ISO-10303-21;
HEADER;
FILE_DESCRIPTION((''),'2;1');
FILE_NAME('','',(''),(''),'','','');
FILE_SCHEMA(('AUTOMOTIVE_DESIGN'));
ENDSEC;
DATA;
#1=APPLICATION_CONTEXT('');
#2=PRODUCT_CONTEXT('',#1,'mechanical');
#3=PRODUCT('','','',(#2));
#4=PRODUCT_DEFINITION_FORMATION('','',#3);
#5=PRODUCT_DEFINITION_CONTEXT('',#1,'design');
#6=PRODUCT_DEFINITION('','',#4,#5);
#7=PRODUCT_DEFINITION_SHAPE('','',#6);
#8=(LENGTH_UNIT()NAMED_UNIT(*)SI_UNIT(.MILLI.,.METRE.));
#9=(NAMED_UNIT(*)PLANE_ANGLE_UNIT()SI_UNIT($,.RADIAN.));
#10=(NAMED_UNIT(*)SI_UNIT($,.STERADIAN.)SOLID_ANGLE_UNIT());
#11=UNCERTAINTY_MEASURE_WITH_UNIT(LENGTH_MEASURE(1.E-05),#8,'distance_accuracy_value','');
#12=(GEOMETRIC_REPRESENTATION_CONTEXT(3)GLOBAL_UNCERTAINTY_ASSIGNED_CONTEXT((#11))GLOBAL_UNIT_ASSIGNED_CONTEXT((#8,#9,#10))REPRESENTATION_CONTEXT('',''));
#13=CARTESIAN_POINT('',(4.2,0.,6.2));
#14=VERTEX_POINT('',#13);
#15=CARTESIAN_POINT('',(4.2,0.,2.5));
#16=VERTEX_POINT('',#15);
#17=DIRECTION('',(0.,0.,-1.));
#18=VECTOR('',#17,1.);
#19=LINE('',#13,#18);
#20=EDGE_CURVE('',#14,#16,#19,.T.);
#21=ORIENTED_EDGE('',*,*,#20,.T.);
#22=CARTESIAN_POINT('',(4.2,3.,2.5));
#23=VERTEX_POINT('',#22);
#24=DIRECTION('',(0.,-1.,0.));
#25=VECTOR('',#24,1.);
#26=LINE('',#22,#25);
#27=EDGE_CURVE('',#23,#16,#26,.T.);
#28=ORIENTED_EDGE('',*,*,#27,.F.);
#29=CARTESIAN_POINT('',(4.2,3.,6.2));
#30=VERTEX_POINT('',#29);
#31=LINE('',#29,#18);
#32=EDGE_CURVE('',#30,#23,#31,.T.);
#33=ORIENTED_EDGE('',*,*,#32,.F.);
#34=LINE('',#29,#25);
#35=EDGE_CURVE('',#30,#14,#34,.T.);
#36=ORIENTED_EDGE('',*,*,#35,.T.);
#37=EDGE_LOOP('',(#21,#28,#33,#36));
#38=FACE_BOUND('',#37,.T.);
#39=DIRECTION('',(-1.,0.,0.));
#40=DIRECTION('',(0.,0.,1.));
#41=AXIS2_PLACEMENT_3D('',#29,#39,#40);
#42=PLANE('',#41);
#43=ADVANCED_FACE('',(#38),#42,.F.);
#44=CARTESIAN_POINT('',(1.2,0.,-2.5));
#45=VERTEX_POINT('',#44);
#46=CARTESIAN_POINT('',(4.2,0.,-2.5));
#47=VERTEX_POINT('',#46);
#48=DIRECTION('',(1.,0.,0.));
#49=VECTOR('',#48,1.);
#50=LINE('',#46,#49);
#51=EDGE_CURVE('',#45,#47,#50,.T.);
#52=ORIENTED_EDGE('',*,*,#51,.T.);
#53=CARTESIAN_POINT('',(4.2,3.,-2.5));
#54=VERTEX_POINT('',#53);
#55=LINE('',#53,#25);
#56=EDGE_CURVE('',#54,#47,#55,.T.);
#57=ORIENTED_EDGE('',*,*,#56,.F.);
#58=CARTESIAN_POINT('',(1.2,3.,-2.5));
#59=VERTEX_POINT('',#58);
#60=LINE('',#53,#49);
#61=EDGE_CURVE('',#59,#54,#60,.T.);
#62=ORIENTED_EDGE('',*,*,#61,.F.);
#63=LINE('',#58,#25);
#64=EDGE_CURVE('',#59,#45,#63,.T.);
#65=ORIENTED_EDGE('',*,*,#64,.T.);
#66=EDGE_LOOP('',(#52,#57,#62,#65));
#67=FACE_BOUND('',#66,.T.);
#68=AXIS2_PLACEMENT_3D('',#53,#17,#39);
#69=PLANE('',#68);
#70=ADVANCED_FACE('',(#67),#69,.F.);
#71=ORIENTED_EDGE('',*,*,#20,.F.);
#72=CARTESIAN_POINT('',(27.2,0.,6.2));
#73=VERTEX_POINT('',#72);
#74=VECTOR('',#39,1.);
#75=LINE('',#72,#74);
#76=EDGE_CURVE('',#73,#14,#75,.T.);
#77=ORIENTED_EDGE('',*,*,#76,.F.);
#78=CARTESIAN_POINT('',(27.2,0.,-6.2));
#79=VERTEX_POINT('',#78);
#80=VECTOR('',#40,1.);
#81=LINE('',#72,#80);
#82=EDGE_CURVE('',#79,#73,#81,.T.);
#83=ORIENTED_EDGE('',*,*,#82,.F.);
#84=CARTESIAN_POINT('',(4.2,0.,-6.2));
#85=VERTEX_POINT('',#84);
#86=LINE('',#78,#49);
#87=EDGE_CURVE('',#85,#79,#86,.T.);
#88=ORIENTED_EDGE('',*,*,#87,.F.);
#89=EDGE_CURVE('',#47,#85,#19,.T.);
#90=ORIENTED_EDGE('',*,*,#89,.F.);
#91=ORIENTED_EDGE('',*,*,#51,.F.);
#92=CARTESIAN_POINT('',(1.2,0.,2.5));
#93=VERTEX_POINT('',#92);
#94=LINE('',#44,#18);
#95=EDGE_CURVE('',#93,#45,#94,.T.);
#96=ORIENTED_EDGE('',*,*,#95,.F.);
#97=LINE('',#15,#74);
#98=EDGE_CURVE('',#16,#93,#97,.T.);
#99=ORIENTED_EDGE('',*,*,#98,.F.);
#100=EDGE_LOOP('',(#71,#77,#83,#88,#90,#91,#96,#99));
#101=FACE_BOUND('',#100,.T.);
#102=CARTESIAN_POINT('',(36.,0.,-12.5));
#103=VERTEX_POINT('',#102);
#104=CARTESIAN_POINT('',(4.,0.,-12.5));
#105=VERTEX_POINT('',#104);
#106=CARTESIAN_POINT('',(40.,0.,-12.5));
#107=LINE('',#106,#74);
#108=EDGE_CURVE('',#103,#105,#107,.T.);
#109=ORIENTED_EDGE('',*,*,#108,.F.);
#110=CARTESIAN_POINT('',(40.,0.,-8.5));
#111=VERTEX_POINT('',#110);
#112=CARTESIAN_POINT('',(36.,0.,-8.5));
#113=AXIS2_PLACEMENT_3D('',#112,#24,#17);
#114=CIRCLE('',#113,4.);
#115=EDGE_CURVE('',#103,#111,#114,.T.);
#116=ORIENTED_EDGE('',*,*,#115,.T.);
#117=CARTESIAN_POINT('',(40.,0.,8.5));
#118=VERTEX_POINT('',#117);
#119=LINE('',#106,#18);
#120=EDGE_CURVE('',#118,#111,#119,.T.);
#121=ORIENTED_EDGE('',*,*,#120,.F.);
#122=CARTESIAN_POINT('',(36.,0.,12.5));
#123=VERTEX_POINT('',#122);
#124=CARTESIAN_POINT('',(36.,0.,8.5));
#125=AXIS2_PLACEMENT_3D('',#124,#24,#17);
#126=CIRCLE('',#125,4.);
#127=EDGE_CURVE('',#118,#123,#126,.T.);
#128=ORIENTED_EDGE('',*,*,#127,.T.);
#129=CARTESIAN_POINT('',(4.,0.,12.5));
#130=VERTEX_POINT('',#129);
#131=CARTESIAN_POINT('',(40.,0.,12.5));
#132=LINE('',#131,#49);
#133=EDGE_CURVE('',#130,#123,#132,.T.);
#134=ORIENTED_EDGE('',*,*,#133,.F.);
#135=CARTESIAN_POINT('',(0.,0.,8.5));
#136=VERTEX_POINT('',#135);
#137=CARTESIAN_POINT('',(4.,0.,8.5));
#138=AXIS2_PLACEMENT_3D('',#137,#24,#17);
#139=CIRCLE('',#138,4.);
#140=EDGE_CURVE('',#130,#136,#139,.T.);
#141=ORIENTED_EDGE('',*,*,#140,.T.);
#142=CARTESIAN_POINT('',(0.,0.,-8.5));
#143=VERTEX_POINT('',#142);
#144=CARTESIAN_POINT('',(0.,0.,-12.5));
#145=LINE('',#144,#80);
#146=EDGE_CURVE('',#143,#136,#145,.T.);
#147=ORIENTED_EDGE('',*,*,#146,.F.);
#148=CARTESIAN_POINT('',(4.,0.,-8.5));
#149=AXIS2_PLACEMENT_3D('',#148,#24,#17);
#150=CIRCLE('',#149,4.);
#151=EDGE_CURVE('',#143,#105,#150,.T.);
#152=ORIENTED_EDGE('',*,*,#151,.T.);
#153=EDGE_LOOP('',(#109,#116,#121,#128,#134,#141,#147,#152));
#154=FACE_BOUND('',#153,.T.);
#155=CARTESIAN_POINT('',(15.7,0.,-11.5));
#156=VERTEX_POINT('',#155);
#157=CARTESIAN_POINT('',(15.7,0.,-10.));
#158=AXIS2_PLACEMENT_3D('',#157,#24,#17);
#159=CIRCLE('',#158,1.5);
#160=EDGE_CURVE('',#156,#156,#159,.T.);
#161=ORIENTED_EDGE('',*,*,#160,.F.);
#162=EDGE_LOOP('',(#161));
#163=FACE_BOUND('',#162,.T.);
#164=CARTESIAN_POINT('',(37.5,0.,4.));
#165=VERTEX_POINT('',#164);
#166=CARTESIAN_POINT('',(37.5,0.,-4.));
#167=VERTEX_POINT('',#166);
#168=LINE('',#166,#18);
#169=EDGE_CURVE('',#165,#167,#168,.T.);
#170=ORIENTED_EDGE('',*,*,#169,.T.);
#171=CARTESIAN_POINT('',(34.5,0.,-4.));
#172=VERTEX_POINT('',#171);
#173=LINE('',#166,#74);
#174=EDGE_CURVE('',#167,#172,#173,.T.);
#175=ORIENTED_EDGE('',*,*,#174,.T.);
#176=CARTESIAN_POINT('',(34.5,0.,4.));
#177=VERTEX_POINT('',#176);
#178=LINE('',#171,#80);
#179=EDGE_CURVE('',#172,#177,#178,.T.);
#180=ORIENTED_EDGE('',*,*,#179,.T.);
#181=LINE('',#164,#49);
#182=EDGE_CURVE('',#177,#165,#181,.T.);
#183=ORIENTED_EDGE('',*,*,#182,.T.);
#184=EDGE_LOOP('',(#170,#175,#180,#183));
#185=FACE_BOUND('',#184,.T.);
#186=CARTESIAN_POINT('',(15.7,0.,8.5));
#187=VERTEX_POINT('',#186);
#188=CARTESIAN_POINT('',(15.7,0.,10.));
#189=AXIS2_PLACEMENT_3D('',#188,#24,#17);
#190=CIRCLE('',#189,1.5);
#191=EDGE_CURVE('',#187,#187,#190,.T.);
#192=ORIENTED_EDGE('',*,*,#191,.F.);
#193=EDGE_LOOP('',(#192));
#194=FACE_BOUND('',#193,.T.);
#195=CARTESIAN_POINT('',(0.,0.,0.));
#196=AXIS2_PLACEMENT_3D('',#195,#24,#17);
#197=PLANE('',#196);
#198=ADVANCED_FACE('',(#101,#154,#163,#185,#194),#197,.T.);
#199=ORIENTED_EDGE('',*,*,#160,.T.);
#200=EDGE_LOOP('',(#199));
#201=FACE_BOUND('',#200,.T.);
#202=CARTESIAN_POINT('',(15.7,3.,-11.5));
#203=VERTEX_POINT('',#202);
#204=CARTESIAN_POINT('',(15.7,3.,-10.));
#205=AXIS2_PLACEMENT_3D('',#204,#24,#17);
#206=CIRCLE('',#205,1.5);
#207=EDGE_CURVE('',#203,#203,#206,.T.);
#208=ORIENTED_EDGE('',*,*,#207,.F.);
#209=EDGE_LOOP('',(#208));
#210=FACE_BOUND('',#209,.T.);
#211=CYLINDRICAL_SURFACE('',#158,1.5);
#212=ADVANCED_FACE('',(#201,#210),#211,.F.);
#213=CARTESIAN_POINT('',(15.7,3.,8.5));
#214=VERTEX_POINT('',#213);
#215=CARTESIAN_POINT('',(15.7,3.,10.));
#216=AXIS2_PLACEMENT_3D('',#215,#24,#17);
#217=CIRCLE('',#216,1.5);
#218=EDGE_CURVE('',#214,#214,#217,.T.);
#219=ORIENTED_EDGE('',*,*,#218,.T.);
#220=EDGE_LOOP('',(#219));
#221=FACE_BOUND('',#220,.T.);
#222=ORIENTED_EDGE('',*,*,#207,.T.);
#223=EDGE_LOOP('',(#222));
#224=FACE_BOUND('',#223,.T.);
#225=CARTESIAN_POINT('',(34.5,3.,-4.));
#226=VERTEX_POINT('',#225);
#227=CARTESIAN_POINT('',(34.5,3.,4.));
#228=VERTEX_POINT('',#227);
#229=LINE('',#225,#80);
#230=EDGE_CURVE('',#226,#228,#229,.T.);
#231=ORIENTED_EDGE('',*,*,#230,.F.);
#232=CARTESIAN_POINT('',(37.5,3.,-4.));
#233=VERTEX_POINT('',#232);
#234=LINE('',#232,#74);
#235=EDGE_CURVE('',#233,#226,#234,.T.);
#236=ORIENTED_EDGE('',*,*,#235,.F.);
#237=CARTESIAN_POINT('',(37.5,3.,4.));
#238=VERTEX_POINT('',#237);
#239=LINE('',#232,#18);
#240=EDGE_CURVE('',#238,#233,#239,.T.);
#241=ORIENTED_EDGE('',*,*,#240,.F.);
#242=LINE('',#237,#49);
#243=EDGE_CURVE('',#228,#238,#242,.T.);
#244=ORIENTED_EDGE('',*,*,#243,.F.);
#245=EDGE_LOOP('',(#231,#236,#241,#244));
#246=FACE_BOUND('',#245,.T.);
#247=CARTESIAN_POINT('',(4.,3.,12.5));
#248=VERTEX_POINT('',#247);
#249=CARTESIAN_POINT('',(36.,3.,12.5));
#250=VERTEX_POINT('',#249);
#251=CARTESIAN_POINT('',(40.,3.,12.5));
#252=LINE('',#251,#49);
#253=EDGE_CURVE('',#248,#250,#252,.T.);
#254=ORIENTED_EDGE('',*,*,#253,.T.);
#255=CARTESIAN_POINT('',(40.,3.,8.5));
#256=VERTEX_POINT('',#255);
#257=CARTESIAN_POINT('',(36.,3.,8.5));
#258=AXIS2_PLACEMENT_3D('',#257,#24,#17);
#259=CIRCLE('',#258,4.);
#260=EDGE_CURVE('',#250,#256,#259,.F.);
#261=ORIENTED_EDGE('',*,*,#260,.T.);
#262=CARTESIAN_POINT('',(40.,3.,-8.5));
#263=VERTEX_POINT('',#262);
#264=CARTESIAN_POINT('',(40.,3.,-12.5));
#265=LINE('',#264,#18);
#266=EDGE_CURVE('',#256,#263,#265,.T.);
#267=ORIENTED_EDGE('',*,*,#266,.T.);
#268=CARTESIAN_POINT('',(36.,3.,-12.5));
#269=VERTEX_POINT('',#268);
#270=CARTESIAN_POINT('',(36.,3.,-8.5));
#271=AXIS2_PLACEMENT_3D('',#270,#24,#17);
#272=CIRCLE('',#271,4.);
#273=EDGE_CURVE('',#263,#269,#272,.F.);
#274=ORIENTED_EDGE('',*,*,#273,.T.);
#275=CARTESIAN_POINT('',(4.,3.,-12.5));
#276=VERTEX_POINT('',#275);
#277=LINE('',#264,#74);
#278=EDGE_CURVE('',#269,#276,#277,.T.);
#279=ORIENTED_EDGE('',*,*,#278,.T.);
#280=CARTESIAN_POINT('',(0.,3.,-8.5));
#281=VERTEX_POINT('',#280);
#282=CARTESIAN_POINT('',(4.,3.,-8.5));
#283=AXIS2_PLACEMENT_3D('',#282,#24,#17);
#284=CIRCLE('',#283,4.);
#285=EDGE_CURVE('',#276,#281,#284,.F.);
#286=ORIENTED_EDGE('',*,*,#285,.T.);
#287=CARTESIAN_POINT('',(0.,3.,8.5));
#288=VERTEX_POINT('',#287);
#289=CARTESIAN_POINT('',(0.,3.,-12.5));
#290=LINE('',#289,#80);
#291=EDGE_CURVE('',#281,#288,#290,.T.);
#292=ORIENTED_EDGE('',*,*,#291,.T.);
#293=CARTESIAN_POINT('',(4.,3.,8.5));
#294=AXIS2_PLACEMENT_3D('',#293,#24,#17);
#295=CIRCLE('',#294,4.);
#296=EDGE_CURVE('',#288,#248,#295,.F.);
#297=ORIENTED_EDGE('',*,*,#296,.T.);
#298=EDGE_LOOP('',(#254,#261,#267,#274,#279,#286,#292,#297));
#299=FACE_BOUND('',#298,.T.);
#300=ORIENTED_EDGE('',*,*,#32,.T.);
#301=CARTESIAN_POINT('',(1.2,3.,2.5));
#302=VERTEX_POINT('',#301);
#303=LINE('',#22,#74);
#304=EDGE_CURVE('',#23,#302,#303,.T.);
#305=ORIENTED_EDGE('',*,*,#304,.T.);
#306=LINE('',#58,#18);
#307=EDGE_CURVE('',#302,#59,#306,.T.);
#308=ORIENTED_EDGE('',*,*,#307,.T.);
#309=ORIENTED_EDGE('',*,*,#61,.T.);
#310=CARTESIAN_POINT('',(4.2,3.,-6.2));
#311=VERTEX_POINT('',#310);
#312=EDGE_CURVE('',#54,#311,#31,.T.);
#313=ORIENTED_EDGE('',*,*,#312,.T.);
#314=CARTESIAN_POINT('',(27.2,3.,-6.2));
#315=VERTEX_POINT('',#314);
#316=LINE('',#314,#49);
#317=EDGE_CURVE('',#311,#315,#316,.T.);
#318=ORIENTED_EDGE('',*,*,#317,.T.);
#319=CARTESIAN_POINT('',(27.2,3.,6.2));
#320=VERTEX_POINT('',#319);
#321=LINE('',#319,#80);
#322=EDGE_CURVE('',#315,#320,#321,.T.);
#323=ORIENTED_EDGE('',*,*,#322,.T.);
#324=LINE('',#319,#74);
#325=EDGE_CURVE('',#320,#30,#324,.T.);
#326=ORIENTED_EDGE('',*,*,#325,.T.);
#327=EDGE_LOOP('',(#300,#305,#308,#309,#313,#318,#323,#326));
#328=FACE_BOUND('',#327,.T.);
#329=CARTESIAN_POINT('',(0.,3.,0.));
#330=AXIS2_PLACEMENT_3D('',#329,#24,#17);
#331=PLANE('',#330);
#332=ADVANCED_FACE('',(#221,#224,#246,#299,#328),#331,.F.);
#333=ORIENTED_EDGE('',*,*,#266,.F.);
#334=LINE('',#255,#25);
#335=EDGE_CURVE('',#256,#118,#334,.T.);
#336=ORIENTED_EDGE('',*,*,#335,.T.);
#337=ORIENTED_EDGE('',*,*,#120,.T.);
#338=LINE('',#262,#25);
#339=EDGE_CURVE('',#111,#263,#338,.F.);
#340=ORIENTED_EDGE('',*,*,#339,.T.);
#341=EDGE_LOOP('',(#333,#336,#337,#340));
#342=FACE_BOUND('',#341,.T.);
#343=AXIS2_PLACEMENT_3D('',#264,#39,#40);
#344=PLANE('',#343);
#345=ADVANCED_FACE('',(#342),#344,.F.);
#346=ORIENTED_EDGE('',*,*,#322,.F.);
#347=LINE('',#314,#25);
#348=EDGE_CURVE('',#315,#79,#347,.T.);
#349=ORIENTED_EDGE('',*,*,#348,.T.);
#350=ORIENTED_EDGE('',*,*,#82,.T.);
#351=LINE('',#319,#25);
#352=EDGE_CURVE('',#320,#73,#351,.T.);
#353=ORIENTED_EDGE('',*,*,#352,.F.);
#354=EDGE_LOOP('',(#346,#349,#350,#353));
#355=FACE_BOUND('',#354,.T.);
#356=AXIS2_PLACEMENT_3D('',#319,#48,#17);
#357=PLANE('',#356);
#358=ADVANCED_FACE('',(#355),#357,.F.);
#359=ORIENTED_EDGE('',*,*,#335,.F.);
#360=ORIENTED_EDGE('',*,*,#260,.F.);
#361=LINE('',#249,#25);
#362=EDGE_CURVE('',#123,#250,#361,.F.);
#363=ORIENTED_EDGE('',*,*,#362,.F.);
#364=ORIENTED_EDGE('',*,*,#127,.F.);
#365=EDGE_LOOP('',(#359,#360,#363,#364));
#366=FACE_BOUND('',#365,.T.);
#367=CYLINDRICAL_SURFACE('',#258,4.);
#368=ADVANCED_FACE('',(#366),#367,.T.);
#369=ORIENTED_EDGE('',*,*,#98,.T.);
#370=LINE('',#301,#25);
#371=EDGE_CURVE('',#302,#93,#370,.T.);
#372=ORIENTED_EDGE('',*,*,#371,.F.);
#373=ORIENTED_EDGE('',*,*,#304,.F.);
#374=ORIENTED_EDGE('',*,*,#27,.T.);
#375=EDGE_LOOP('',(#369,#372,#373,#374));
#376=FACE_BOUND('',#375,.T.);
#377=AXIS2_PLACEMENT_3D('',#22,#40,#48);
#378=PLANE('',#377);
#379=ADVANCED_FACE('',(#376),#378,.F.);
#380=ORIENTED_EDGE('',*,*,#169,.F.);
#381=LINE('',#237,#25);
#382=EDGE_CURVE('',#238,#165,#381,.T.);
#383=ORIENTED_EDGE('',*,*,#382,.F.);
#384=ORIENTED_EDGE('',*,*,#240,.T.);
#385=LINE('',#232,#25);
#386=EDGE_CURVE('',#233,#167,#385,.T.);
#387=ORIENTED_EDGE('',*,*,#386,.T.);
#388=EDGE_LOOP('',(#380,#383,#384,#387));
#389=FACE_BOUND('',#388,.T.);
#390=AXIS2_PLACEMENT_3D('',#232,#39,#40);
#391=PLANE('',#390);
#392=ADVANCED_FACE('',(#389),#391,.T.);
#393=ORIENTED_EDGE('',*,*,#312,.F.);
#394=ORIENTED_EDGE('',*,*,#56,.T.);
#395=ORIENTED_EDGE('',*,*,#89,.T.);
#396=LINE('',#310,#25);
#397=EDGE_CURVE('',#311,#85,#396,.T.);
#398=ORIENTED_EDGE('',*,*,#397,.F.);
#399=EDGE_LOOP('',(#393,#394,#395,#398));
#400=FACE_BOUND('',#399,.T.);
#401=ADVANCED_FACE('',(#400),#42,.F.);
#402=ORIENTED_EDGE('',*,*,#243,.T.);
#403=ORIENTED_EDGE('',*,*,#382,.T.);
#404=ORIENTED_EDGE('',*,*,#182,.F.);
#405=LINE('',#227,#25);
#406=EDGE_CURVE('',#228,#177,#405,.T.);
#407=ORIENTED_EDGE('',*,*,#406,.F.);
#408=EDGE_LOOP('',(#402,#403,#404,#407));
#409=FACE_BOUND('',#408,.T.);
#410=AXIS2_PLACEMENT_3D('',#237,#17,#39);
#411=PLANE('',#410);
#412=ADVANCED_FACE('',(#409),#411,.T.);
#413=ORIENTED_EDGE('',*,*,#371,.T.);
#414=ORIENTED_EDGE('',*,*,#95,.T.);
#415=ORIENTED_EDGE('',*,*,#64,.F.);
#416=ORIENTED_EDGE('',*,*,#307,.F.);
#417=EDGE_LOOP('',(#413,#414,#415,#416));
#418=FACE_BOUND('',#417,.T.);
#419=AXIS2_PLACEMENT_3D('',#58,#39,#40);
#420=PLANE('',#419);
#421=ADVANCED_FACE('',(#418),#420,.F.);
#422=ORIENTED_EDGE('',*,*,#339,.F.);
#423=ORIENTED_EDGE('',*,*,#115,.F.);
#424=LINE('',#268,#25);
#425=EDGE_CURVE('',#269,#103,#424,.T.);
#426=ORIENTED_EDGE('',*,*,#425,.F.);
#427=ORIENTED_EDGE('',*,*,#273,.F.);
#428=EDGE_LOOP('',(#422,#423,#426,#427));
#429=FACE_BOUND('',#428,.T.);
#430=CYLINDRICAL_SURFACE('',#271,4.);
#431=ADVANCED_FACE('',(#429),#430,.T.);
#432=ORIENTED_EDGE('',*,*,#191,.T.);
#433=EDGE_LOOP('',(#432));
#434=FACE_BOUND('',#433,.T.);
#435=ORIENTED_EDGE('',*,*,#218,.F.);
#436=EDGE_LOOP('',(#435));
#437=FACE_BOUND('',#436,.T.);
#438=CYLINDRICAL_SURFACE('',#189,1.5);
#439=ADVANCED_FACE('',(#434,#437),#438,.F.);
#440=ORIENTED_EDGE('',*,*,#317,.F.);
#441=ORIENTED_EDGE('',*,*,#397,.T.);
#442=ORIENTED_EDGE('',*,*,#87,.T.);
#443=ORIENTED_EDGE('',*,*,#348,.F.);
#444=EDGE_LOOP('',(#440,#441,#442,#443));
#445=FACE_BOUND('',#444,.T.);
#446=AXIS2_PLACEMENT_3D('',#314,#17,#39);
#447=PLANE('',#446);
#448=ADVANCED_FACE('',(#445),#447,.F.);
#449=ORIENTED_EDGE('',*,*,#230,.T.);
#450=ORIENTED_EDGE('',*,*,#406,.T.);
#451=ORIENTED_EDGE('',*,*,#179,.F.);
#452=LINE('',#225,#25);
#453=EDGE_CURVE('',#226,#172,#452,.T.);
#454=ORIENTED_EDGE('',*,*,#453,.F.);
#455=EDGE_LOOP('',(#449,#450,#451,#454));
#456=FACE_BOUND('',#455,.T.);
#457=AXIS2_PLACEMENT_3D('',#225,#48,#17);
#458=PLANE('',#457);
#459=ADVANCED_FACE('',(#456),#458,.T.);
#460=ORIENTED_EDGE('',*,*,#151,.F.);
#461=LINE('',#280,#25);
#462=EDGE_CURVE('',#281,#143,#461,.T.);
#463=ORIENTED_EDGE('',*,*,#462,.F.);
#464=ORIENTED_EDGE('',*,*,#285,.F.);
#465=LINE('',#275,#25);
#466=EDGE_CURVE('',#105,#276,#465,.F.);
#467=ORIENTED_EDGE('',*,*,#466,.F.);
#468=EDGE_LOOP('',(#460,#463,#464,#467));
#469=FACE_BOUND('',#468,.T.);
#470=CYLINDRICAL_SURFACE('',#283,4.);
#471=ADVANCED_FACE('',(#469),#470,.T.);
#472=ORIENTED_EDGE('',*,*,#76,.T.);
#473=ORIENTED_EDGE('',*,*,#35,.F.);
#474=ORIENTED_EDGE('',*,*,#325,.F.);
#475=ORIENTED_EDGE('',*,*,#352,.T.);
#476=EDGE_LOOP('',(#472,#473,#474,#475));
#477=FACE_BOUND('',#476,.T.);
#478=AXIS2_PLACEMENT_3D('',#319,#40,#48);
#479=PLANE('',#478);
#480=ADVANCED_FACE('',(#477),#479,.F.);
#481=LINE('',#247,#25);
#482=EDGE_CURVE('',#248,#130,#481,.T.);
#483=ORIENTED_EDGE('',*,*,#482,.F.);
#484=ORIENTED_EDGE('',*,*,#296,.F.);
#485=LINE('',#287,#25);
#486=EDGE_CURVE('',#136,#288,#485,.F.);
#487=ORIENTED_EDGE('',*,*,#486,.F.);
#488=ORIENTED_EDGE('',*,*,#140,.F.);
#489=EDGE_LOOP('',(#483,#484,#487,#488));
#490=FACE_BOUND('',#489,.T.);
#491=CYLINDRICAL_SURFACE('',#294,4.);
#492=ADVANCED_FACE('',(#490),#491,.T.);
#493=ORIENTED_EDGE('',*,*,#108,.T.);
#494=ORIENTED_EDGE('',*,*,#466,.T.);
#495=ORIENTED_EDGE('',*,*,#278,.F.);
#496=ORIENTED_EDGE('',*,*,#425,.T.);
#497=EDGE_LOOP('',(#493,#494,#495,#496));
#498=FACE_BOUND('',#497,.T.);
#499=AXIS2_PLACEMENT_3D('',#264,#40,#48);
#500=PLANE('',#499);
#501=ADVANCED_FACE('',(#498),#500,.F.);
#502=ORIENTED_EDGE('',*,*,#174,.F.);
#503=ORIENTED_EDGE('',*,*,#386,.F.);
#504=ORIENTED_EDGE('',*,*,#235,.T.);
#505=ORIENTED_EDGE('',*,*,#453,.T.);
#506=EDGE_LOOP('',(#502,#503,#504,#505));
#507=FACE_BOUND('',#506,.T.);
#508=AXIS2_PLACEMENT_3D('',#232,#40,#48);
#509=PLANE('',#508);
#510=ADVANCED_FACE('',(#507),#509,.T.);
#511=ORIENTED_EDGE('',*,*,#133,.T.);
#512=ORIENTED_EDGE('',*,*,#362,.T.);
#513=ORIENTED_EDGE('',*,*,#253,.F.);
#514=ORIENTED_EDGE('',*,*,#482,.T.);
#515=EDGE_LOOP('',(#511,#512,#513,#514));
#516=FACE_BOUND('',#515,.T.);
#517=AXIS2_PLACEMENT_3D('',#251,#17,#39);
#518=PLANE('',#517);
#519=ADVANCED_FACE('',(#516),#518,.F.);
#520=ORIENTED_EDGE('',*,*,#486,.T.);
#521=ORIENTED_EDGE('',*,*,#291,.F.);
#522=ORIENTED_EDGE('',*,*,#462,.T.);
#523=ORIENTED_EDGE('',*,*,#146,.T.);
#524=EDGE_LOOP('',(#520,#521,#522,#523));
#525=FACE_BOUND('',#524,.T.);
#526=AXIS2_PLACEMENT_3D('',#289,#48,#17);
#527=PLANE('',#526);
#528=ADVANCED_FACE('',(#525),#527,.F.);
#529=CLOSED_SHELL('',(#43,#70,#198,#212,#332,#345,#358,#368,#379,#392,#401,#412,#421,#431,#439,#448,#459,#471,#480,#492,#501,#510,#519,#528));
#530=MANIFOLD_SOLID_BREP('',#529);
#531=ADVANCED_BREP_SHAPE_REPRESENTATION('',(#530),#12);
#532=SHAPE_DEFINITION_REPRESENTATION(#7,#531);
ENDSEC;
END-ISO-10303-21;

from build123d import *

# Parameters (mm, degrees)
ESBO_O1_W                  = 40
ESBO_O1_H                  = 25
RESSALTO_EXTRUS_O1_DEPTH   = 3
ESBO_O7_W                  = 3
ESBO_O7_H                  = 8
CORTE_EXTRUS_O3_DEPTH      = 43.014878317
PERFIL_CORTE_W             = 23
PERFIL_CORTE_H             = 12.4
CORTE_PRINCIPAL_DEPTH      = 76.288119648
FURO_DE_DI_METRO_3_0_3_1_D = 3
ESBO_O6_W                  = 3
ESBO_O6_H                  = 5
CORTE_EXTRUS_O2_DEPTH      = 92.50164688
FILETE1_R                  = 4


with BuildPart() as part:
    # Esboço1 → Ressalto-extrusão1 (new body)
    with BuildSketch(Plane(origin=(0, 0, 0), x_dir=(1, 0, 0), z_dir=(0, 1, 0))):
        with Locations((20, 0)):
            Rectangle(ESBO_O1_W, ESBO_O1_H)
    extrude(amount=RESSALTO_EXTRUS_O1_DEPTH)

    # Esboço7 → Corte-extrusão3 (cut, through all)
    with BuildSketch(Plane(origin=(0, 0, 0), x_dir=(1, 0, 0), z_dir=(0, 1, 0))):
        with Locations((36, 0)):
            Rectangle(ESBO_O7_W, ESBO_O7_H)
    extrude(amount=CORTE_EXTRUS_O3_DEPTH, mode=Mode.SUBTRACT)

    # Perfil Corte → Corte Principal (cut, through all)
    with BuildSketch(Plane(origin=(62.223874948, 0, 29.778722149), x_dir=(-1, 0, 0), z_dir=(0, -1, 0))):
        with Locations((46.523874948, 29.778722149)):
            Rectangle(PERFIL_CORTE_W, PERFIL_CORTE_H)
    extrude(amount=-CORTE_PRINCIPAL_DEPTH, mode=Mode.SUBTRACT)

    # Furo de diâmetro Ø3.0 (3)1 (through all)
    with Locations(Plane(origin=(84.444031263, 0, 22.610638925), x_dir=(-1, 0, 0), z_dir=(0, -1, 0))):
        with Locations((68.744031263, 32.610638925), (68.744031263, 12.610638925)):
            Hole(FURO_DE_DI_METRO_3_0_3_1_D / 2)

    # Esboço6 → Corte-extrusão2 (cut, through all)
    with BuildSketch(Plane(origin=(84.444031263, 0, 22.610638925), x_dir=(-1, 0, 0), z_dir=(0, -1, 0))):
        with Locations((81.744031263, 22.610638925)):
            Rectangle(ESBO_O6_W, ESBO_O6_H)
    extrude(amount=-CORTE_EXTRUS_O2_DEPTH, mode=Mode.SUBTRACT)

    # Filete1
    filete1_edges = [part.edges().sort_by_distance(p)[0] for p in [
        (0, 1.5, -12.5),
        (40, 1.5, -12.5),
        (40, 1.5, 12.5),
        (0, 1.5, 12.5),
    ]]
    fillet(filete1_edges, radius=FILETE1_R)


solid = part.part
